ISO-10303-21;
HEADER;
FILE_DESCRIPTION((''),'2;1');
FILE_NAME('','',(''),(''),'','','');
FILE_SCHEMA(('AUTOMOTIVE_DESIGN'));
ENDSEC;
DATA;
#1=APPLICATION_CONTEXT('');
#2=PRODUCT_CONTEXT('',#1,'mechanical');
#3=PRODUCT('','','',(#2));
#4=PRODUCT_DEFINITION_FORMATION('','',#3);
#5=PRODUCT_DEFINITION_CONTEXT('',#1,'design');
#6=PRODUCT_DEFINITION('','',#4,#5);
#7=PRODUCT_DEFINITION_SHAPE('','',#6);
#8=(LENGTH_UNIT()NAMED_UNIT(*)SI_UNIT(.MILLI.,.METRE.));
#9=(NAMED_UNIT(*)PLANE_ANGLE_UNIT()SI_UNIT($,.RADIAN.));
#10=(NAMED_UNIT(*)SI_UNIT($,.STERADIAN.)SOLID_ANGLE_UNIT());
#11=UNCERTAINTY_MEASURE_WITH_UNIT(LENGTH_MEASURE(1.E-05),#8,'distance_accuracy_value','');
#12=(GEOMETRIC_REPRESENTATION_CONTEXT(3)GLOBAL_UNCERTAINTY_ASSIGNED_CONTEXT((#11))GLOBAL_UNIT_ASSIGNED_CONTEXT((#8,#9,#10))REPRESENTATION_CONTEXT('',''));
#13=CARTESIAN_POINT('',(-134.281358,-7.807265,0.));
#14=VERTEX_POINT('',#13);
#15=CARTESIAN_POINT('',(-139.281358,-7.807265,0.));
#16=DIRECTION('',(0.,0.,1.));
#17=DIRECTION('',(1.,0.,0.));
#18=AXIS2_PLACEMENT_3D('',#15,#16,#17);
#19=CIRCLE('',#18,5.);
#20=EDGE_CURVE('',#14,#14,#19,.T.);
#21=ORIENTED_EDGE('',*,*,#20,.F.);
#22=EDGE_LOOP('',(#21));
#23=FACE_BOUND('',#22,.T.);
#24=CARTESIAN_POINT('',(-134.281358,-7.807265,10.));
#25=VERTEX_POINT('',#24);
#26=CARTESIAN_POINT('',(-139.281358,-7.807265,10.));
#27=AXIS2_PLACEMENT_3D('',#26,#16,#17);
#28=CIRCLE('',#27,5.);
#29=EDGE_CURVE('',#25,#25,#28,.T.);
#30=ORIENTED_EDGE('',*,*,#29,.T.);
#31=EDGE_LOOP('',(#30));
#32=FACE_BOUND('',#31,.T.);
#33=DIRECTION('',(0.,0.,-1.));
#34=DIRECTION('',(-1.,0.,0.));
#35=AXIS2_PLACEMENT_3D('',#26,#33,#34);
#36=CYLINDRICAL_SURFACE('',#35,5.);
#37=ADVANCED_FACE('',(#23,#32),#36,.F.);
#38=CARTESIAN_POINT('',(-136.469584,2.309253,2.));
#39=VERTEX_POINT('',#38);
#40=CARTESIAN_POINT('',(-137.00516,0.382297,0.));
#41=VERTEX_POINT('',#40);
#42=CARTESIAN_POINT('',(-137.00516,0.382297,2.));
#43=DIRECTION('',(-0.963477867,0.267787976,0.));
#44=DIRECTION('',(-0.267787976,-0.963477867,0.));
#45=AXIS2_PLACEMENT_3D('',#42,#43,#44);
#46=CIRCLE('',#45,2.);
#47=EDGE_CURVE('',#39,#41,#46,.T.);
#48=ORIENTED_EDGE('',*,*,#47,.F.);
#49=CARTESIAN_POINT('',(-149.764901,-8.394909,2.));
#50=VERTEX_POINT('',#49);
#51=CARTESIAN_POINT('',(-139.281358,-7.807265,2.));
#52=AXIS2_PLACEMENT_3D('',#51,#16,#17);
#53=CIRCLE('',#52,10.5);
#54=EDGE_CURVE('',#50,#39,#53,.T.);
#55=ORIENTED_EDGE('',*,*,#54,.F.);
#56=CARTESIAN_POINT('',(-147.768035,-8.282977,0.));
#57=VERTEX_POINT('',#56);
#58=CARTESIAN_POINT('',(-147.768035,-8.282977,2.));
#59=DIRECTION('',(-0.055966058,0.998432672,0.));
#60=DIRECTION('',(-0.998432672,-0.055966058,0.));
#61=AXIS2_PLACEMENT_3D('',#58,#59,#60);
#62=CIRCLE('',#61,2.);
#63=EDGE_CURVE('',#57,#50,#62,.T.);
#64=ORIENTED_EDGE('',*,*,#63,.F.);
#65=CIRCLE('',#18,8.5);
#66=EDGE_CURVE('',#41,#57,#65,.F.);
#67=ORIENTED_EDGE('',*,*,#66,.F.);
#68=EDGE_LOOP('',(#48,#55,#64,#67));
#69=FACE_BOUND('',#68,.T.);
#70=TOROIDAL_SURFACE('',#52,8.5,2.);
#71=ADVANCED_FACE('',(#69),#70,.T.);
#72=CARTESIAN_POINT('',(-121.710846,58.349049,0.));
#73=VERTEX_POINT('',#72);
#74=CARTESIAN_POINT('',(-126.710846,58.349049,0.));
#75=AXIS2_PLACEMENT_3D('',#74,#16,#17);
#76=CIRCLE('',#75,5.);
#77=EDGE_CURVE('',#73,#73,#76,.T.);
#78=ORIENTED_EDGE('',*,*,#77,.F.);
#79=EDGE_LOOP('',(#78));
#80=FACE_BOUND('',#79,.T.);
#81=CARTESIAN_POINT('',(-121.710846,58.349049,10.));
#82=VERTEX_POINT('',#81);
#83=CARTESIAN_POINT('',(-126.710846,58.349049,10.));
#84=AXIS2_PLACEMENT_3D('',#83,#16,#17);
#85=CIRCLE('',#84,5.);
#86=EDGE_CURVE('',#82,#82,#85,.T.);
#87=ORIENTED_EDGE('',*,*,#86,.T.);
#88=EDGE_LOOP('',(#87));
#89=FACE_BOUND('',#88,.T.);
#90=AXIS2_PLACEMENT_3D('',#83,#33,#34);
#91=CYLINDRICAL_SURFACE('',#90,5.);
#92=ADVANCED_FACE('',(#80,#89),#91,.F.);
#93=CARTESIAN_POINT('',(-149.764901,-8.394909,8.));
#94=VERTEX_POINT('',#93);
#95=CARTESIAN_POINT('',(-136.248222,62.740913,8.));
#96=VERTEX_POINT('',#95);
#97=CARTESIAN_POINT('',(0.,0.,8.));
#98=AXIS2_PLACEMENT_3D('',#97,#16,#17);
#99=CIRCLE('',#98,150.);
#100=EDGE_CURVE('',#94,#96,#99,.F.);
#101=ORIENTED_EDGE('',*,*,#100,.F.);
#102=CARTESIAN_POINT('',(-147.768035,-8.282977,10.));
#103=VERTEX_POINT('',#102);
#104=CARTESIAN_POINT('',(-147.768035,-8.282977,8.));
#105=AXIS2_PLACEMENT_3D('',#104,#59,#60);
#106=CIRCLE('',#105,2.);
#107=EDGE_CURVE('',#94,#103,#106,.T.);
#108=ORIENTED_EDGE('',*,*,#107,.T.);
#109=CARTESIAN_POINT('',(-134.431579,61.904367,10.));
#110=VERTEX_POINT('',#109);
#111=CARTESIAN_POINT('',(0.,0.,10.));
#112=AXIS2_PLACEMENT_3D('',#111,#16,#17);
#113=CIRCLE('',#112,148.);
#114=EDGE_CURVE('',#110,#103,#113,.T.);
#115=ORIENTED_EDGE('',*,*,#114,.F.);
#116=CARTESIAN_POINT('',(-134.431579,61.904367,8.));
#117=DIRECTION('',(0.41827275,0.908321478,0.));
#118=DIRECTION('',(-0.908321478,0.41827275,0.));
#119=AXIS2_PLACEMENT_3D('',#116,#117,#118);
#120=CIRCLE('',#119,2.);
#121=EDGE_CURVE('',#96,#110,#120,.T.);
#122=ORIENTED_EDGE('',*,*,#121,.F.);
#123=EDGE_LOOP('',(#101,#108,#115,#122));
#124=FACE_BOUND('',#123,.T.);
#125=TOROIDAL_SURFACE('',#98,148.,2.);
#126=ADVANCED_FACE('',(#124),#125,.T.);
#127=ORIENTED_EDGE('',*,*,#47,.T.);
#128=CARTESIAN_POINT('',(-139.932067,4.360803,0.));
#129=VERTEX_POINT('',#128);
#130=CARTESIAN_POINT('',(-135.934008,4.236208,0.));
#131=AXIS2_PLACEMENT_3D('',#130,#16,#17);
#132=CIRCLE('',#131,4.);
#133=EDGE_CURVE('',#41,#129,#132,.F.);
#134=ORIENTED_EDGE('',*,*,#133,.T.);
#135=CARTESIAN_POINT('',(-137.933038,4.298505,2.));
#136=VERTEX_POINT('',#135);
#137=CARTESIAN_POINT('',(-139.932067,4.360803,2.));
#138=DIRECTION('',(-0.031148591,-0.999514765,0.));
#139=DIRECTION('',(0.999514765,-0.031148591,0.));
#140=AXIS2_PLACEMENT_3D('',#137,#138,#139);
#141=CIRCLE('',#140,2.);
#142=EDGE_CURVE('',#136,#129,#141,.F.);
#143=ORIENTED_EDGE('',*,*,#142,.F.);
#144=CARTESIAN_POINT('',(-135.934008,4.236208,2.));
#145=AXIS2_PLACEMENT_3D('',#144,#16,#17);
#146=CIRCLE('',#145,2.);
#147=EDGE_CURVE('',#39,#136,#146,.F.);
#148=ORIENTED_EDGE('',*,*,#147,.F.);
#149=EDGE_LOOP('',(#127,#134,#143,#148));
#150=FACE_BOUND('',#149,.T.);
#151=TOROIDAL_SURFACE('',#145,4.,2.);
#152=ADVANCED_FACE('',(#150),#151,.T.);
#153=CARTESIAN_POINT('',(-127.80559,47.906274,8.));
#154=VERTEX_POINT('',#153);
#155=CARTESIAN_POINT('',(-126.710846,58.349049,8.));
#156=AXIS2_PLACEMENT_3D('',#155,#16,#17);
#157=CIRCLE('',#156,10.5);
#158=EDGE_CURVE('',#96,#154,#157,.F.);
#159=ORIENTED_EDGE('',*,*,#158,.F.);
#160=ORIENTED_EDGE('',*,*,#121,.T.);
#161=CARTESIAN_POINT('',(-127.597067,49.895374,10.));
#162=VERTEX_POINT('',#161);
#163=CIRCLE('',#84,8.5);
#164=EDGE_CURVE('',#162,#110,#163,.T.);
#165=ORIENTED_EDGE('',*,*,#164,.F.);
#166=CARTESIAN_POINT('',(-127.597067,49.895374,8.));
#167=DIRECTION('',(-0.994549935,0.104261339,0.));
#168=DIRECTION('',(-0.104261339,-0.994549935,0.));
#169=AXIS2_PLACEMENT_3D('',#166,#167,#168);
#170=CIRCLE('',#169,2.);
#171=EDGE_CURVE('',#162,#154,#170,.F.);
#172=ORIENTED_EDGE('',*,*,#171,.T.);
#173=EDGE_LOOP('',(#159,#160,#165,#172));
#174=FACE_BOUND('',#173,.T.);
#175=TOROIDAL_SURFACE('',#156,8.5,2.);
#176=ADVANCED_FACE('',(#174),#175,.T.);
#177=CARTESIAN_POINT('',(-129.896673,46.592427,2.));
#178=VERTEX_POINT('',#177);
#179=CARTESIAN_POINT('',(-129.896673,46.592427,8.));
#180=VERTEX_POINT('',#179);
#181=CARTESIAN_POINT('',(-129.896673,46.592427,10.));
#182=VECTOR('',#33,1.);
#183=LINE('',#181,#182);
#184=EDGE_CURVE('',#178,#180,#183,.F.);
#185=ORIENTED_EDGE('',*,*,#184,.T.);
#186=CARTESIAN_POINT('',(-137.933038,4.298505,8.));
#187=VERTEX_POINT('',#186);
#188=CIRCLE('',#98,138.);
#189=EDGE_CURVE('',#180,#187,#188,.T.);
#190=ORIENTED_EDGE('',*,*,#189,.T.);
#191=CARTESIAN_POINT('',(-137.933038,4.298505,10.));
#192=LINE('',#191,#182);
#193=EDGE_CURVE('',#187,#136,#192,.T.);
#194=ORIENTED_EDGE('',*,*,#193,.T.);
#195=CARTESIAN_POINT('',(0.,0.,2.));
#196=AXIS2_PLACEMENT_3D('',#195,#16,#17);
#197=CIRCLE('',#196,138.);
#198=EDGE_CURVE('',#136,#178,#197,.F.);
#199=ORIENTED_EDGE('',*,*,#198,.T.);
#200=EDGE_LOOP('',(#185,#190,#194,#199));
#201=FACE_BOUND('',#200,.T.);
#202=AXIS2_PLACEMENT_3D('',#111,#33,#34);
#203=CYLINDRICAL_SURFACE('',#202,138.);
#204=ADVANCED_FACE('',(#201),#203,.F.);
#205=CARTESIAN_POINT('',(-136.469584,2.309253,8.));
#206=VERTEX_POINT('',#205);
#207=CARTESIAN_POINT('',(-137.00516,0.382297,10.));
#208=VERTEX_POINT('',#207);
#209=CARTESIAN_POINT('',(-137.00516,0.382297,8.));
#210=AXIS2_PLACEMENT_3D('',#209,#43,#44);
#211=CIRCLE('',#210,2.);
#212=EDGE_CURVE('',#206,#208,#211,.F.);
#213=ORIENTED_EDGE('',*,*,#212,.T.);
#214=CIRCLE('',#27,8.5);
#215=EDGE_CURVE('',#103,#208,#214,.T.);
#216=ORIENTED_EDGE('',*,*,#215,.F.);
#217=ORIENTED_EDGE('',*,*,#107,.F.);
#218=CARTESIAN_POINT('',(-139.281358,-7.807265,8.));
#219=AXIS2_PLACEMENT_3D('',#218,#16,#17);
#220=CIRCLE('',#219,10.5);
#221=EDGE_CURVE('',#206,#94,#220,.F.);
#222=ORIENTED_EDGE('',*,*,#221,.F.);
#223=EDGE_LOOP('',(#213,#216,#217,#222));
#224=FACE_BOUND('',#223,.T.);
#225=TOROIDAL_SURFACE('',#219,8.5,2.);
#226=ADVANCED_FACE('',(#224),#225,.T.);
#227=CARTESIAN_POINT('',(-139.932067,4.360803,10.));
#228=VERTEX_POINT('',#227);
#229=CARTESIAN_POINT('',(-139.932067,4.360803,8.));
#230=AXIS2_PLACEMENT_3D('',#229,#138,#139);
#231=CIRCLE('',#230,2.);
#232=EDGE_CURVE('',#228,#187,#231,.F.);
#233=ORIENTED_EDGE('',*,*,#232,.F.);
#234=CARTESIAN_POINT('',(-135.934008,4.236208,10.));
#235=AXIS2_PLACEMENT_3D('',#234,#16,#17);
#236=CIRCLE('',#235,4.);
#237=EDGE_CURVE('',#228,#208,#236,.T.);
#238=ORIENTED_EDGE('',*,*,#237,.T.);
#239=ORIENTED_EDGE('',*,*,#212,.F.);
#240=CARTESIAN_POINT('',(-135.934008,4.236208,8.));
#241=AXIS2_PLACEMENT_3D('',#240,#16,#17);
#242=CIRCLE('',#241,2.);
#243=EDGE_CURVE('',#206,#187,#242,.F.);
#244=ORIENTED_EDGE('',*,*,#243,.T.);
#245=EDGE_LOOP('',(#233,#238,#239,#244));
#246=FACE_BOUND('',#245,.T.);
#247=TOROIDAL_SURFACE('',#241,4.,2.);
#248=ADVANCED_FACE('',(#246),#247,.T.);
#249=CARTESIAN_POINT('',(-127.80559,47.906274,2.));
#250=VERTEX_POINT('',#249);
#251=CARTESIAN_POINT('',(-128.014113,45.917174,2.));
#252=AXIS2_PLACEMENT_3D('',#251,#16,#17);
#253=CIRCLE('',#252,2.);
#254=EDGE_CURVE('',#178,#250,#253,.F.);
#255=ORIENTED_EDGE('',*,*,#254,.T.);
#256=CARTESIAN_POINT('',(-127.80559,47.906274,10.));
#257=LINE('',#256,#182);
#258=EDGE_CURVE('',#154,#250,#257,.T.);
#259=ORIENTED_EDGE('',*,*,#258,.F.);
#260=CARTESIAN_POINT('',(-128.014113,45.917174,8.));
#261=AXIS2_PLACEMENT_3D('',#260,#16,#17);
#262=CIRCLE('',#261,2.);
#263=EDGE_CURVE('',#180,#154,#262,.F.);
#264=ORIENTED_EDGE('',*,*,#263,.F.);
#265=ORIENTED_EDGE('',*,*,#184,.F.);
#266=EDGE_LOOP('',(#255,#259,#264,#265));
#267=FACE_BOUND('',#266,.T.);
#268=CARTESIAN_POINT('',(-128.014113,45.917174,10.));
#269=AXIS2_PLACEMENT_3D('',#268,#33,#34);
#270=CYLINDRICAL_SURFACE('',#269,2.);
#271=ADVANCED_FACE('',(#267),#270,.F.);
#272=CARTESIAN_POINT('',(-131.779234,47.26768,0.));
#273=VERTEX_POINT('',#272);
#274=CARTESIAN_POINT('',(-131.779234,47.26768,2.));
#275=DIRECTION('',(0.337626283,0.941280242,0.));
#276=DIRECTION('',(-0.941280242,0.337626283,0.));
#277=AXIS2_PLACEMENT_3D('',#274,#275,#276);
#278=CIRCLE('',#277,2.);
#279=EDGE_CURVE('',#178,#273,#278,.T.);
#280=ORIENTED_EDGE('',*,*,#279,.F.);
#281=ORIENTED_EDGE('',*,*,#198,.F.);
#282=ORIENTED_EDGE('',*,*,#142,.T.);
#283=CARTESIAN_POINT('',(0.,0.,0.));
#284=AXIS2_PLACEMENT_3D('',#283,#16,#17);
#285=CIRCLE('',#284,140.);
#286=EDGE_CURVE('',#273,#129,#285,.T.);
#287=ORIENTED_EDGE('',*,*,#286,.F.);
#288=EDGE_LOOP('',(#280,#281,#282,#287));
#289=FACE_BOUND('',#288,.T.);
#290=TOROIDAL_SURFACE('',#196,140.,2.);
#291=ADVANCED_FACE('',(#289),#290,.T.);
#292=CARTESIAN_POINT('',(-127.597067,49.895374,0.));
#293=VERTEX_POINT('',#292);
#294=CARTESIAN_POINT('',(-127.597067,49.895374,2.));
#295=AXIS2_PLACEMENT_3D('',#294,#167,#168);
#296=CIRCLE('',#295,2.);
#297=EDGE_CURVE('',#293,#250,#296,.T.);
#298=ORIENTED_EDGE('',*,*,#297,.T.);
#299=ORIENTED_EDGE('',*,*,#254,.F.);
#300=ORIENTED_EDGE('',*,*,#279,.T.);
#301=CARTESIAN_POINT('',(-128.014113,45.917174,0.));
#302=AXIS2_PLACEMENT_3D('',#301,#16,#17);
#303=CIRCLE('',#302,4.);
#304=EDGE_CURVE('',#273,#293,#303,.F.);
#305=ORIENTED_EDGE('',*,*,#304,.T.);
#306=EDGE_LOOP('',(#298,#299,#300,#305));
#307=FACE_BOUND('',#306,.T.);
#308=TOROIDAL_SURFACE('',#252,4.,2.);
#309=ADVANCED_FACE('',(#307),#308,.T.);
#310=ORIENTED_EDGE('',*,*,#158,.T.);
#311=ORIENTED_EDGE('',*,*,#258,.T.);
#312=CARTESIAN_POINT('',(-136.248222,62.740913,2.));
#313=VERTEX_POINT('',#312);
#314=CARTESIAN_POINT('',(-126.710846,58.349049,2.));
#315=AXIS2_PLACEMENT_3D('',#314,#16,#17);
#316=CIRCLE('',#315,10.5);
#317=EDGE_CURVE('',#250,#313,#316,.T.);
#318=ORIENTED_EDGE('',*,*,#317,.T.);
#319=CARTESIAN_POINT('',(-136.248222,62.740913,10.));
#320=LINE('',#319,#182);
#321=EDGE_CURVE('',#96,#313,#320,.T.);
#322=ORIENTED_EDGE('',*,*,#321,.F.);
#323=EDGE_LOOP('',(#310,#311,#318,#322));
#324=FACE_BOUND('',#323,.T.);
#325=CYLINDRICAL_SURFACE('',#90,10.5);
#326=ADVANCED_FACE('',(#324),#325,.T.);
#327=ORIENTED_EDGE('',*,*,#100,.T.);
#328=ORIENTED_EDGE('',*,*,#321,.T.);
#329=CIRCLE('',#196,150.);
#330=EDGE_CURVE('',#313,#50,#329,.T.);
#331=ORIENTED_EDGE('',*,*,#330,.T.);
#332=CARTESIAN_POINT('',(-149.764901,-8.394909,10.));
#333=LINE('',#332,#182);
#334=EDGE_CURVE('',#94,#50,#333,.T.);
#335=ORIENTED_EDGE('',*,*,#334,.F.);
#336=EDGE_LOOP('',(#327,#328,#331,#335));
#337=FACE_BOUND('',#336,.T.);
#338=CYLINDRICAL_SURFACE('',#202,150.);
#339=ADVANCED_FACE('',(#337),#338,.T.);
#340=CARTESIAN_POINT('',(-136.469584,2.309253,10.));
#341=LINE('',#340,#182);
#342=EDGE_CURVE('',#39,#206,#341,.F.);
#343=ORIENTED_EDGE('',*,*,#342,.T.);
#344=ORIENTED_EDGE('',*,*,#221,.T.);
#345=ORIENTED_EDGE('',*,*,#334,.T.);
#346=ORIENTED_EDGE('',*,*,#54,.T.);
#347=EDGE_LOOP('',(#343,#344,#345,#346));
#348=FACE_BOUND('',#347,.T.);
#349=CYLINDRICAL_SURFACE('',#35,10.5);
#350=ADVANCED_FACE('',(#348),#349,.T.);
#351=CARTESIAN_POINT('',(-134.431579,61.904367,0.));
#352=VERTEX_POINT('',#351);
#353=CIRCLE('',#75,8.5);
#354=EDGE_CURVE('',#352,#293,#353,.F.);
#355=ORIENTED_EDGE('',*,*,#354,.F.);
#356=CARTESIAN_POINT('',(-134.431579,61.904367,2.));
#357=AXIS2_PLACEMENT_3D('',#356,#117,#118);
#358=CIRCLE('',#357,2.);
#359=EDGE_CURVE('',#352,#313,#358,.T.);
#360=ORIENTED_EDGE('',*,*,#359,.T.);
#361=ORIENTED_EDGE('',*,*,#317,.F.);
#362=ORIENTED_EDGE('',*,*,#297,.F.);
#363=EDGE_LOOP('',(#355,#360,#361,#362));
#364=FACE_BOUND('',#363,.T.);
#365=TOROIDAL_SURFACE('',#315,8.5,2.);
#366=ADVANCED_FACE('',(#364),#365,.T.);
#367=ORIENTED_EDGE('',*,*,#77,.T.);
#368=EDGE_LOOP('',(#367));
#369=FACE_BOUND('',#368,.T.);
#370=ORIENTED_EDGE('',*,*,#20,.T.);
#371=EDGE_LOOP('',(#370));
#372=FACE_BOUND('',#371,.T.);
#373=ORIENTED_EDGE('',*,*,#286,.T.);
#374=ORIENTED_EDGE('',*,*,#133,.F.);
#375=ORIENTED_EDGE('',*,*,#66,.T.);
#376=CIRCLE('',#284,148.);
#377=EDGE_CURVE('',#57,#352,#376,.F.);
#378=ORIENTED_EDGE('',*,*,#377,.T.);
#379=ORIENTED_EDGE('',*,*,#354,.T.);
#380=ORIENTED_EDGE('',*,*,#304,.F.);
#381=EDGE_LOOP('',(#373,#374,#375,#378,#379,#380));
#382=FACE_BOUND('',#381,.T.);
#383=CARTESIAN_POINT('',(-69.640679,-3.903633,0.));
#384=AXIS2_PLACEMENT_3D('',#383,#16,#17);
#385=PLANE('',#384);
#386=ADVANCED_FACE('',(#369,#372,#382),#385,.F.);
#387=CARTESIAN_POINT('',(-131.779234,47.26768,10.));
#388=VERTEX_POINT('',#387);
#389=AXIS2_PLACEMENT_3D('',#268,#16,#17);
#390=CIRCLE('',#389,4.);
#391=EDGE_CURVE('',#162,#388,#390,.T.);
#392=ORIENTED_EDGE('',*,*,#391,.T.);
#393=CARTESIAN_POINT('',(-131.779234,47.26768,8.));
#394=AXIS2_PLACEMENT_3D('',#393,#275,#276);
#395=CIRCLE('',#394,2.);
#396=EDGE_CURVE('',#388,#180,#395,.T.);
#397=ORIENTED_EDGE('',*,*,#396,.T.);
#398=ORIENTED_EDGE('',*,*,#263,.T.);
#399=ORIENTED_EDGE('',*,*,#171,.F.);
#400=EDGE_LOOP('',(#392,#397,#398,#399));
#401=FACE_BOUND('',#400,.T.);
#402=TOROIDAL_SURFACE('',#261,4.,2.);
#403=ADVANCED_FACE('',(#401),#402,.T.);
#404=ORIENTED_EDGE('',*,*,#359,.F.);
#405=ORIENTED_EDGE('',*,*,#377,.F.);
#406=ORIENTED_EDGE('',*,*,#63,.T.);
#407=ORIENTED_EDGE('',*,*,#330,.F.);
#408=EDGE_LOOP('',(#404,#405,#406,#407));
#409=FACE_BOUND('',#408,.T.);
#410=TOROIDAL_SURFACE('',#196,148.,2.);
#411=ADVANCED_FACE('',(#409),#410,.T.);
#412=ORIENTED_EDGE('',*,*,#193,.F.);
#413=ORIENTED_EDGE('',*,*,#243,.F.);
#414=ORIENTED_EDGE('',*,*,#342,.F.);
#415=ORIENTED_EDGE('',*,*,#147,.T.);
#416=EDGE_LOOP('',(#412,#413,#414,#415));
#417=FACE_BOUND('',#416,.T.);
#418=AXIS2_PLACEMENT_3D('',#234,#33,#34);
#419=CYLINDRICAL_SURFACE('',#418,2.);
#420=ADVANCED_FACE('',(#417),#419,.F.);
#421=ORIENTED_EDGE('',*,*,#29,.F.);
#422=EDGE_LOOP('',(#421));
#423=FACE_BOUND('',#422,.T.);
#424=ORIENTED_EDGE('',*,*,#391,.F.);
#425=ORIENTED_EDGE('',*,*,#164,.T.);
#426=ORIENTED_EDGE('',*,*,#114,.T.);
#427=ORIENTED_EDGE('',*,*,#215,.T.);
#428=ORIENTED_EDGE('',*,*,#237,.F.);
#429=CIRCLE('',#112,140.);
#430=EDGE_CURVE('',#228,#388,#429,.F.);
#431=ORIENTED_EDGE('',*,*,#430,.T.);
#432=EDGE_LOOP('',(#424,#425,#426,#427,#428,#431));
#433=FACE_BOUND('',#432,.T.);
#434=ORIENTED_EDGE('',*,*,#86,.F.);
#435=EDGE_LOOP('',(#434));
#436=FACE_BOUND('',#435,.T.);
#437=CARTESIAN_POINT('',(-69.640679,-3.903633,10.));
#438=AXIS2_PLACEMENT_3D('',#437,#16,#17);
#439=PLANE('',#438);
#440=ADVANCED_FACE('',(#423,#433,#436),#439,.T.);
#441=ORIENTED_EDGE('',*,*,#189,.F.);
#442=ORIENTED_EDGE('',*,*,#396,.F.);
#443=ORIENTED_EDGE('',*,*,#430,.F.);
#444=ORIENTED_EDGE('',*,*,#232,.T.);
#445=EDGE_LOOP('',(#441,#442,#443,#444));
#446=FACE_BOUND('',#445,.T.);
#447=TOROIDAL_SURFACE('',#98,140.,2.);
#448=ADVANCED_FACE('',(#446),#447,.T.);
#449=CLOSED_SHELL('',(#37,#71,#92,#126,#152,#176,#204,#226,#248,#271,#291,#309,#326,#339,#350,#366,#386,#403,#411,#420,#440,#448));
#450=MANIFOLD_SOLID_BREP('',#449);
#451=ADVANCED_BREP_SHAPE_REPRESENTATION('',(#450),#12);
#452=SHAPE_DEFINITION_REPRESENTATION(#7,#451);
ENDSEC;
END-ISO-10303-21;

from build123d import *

# Parameters (mm, degrees)
SKETCH2_R           = 5
BOSS_EXTRUDE1_DEPTH = 10
FILLET1_R           = 2


with BuildPart() as part:
    # Sketch2 → Boss-Extrude1 (new body)
    with BuildSketch(Plane.XY):
        with BuildLine():
            ThreePointArc((-136.248221627, 62.740912517), (-147.363336048, 28.000842642), (-149.764900792, -8.394908626))
            ThreePointArc((-149.764900792, -8.394908626), (-132.116158495, -15.482544811), (-137.975293762, 2.611189609))
            ThreePointArc((-137.975293762, 2.611189609), (-135.574269165, 25.760775231), (-129.317107469, 48.177647472))
            ThreePointArc((-129.317107469, 48.177647472), (-117.229857172, 62.861348354), (-136.248221627, 62.740912517))
        make_face()
        with Locations((-126.710846113, 58.349048641)):
            Circle(SKETCH2_R, mode=Mode.SUBTRACT)
        with Locations((-139.281357736, -7.807265022)):
            Circle(SKETCH2_R, mode=Mode.SUBTRACT)
    extrude(amount=BOSS_EXTRUDE1_DEPTH)

    # Fillet1
    fillet1_edges = [part.edges().sort_by_distance(p)[0] for p in [
        (-147.363336048, 28.000842642, 10),
        (-132.116158495, -15.482544811, 10),
        (-135.574269165, 25.760775231, 10),
        (-132.116158495, -15.482544811, 0),
        (-147.363336048, 28.000842642, 0),
        (-117.229857172, 62.861348354, 0),
        (-135.574269165, 25.760775231, 0),
        (-117.229857172, 62.861348354, 10),
        (-137.975293762, 2.611189609, 5),
        (-129.317107469, 48.177647472, 5),
    ]]
    fillet(fillet1_edges, radius=FILLET1_R)


solid = part.part
